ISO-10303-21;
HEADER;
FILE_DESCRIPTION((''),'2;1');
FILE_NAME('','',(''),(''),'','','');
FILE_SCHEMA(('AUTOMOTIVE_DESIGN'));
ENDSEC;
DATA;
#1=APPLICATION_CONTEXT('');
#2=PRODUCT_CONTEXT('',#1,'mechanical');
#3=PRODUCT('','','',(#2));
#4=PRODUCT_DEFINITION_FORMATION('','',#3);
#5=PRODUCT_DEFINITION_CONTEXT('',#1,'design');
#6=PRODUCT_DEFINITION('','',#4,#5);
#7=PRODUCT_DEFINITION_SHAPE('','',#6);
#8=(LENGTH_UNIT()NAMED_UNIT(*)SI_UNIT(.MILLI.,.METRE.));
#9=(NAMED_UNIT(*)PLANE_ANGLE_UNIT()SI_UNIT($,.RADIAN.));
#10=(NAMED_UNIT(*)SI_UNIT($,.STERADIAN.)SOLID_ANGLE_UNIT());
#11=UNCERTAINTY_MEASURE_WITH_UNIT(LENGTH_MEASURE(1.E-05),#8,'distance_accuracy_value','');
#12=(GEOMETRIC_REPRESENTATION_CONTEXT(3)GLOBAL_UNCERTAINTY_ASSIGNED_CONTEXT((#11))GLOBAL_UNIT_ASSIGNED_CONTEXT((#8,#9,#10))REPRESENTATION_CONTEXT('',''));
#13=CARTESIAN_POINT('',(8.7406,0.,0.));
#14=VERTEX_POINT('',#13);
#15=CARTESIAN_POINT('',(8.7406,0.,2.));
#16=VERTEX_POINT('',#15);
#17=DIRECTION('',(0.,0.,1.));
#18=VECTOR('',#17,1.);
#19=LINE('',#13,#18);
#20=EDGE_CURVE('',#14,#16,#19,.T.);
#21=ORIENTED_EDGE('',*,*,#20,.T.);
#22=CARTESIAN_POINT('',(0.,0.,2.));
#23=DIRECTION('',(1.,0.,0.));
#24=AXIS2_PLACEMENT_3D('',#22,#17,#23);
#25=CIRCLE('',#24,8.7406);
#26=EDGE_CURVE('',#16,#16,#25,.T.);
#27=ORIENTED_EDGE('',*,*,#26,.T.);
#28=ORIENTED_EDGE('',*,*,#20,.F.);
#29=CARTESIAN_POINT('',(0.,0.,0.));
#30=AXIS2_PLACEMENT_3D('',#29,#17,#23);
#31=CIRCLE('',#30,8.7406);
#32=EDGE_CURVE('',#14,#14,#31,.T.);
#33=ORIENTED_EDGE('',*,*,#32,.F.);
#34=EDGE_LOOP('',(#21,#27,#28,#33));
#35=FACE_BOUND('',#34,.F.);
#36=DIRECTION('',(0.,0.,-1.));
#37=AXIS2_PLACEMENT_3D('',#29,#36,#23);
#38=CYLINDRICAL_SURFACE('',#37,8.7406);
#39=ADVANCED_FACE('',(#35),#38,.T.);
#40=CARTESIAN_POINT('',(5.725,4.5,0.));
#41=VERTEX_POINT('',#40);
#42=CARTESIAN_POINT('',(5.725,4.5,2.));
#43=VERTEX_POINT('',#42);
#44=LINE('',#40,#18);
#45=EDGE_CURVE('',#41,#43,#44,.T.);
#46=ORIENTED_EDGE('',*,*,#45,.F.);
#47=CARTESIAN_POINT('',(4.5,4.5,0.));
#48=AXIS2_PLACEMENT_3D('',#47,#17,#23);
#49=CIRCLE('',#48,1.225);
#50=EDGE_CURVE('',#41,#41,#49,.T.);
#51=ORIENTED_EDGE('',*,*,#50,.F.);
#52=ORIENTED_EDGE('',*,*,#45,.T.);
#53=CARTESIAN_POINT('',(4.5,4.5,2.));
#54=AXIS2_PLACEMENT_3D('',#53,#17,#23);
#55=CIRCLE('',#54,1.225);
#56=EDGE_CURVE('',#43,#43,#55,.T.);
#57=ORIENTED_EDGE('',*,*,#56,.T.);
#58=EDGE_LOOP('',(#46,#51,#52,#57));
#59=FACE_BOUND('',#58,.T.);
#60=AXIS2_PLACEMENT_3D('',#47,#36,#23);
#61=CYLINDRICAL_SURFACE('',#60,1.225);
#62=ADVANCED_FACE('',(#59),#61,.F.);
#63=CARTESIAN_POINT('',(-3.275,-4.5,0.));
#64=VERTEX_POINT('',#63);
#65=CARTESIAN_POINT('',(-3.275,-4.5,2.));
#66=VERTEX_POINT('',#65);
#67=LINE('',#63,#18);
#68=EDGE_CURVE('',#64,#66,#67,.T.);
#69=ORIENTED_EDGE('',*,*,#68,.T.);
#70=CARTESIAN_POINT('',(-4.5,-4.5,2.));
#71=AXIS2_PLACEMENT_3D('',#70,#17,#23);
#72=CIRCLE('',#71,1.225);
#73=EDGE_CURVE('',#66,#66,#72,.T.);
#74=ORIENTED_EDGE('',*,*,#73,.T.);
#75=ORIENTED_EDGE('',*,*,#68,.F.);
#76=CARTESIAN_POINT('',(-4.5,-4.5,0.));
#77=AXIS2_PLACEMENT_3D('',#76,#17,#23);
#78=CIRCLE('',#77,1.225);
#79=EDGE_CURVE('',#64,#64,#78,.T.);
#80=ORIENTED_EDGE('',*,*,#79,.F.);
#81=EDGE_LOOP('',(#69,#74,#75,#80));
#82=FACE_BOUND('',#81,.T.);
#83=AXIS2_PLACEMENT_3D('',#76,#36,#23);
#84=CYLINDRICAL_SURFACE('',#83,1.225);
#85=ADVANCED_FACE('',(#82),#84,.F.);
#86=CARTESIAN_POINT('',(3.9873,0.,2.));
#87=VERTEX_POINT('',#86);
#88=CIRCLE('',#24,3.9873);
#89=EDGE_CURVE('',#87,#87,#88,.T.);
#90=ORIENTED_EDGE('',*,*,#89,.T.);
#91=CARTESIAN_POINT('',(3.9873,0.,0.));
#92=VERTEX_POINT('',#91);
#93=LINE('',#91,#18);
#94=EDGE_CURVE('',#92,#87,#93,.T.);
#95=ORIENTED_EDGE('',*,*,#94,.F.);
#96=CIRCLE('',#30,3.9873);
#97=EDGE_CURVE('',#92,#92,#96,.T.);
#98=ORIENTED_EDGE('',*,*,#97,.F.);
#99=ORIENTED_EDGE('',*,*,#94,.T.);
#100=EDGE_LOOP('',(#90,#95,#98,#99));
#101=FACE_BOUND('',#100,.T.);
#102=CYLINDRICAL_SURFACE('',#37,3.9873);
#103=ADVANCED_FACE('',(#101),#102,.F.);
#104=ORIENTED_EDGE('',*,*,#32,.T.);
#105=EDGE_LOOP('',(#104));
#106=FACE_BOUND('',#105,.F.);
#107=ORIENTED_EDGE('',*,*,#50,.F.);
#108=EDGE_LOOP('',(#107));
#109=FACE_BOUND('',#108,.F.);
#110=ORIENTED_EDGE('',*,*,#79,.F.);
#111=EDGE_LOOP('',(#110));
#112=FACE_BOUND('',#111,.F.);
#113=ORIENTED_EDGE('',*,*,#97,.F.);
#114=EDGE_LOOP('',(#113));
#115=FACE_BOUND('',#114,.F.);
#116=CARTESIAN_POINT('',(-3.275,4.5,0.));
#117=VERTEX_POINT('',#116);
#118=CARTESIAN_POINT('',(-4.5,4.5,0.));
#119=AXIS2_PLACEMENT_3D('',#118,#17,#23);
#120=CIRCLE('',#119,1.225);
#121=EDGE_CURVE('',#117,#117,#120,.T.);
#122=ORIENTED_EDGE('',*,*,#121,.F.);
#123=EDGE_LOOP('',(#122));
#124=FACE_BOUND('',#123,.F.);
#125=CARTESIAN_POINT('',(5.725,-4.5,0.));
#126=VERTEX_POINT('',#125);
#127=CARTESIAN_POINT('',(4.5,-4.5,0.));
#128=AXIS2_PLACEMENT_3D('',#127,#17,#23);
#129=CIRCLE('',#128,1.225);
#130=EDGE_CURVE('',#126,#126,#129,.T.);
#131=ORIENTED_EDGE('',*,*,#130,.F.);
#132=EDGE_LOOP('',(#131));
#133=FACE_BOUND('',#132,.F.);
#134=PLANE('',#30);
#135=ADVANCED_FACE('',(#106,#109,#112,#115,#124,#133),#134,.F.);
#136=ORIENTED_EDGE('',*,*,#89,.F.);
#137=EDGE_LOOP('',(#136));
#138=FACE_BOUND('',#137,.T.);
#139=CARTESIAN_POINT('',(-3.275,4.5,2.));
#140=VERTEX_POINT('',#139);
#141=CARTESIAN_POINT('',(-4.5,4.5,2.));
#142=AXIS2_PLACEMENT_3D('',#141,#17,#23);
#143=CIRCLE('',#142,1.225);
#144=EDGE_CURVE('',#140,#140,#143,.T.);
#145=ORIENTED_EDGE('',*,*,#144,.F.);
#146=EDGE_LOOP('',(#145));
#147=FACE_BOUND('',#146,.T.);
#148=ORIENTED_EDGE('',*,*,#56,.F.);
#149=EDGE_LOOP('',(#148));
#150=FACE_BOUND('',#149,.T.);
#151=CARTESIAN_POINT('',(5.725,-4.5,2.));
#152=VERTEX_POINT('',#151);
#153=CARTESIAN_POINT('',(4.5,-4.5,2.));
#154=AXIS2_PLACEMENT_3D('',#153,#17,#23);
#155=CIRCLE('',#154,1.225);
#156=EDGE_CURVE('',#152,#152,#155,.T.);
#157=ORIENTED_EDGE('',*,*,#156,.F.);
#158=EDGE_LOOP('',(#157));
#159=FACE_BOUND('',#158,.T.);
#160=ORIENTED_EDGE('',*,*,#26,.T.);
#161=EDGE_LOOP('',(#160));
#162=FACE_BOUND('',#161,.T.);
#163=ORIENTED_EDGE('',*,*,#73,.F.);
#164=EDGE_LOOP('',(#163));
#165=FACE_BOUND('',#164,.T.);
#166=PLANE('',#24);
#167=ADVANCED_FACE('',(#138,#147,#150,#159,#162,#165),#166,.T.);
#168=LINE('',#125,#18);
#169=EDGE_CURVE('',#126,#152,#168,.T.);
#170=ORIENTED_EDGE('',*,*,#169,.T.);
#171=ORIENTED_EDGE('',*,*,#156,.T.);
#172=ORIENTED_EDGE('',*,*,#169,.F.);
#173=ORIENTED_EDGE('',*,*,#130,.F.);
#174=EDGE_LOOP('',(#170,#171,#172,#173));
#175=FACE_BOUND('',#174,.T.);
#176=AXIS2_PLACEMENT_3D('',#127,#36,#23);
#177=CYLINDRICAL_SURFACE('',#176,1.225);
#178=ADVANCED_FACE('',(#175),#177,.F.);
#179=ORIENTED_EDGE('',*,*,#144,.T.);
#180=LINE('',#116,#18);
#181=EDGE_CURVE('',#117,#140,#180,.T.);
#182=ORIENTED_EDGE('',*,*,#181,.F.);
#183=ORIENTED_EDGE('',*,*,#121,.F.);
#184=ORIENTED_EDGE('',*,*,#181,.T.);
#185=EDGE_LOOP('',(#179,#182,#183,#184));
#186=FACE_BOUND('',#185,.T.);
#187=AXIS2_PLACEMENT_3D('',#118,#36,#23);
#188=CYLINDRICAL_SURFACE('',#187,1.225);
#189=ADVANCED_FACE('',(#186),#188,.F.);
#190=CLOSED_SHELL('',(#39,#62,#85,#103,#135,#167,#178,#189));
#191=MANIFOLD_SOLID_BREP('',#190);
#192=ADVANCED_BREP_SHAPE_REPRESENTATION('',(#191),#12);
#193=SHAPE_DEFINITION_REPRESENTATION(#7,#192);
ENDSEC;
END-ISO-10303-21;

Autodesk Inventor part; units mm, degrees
ref_plane "YZ Plane" through (0, 0, 0) normal (1, 0, 0) x (0, 1, 0)
ref_plane "XZ Plane" through (0, 0, 0) normal (0, 1, 0) x (-1, 0, 0)
ref_plane "XY Plane" through (0, 0, 0) normal (0, 0, 1) x (1, 0, 0)
sketch "Base" plane through (0, 0, 0) normal (0, 0, 1) x (1, 0, 0)
  circle A0 centre (0, 0) radius 3.9873
  circle A1 centre (0, 0) radius 8.7406
  line L0 (-4.5, -4.5) -> (4.5, -4.5) construction
  line L1 (4.5, -4.5) -> (4.5, 4.5) construction
  line L2 (4.5, 4.5) -> (-4.5, 4.5) construction
  line L3 (-4.5, 4.5) -> (-4.5, -4.5) construction
  line L4 (-4.5, -4.5) -> (4.5, 4.5) construction
  line L5 (4.5, -4.5) -> (-4.5, 4.5) construction
  line L6 (-12.2369, 0) -> (12.2369, 0) construction
  circle A2 centre (0, 0) radius 6.364 construction
  circle A3 centre (-4.5, 4.5) radius 1.225
  circle A4 centre (4.5, 4.5) radius 1.225
  circle A5 centre (4.5, -4.5) radius 1.225
  circle A6 centre (-4.5, -4.5) radius 1.225
  dimension "d0" = 7.9746
  dimension "d1" = 4.7533
  dimension "d2" = 2.3767
  dimension "d3" = 2.45
  dimension "d4" = 9
extrude "Plate1" add sketch "Base" along normal blind 2
equation "\"d2\" = 0.5 * d1"
equation "\"d7\" = Thickness"
equation "\"BendRadius\" = Thickness"
equation "\"BendReliefWidth\" = Thickness"
equation "\"BendReliefDepth\" = 0.5 * Thickness"
equation "\"CornerReliefSize\" = 4 * Thickness"
equation "\"MinimumRemnant\" = 2 * Thickness"
equation "\"TransitionRadius\" = BendRadius"
equation "\"JacobiRadiusSize\" = BendRadius"
equation "\"GapSize\" = Thickness"
equation "\"Thickness\" = 2"
properties part number "WheelEncoderMagnetAlignmentFlange"
